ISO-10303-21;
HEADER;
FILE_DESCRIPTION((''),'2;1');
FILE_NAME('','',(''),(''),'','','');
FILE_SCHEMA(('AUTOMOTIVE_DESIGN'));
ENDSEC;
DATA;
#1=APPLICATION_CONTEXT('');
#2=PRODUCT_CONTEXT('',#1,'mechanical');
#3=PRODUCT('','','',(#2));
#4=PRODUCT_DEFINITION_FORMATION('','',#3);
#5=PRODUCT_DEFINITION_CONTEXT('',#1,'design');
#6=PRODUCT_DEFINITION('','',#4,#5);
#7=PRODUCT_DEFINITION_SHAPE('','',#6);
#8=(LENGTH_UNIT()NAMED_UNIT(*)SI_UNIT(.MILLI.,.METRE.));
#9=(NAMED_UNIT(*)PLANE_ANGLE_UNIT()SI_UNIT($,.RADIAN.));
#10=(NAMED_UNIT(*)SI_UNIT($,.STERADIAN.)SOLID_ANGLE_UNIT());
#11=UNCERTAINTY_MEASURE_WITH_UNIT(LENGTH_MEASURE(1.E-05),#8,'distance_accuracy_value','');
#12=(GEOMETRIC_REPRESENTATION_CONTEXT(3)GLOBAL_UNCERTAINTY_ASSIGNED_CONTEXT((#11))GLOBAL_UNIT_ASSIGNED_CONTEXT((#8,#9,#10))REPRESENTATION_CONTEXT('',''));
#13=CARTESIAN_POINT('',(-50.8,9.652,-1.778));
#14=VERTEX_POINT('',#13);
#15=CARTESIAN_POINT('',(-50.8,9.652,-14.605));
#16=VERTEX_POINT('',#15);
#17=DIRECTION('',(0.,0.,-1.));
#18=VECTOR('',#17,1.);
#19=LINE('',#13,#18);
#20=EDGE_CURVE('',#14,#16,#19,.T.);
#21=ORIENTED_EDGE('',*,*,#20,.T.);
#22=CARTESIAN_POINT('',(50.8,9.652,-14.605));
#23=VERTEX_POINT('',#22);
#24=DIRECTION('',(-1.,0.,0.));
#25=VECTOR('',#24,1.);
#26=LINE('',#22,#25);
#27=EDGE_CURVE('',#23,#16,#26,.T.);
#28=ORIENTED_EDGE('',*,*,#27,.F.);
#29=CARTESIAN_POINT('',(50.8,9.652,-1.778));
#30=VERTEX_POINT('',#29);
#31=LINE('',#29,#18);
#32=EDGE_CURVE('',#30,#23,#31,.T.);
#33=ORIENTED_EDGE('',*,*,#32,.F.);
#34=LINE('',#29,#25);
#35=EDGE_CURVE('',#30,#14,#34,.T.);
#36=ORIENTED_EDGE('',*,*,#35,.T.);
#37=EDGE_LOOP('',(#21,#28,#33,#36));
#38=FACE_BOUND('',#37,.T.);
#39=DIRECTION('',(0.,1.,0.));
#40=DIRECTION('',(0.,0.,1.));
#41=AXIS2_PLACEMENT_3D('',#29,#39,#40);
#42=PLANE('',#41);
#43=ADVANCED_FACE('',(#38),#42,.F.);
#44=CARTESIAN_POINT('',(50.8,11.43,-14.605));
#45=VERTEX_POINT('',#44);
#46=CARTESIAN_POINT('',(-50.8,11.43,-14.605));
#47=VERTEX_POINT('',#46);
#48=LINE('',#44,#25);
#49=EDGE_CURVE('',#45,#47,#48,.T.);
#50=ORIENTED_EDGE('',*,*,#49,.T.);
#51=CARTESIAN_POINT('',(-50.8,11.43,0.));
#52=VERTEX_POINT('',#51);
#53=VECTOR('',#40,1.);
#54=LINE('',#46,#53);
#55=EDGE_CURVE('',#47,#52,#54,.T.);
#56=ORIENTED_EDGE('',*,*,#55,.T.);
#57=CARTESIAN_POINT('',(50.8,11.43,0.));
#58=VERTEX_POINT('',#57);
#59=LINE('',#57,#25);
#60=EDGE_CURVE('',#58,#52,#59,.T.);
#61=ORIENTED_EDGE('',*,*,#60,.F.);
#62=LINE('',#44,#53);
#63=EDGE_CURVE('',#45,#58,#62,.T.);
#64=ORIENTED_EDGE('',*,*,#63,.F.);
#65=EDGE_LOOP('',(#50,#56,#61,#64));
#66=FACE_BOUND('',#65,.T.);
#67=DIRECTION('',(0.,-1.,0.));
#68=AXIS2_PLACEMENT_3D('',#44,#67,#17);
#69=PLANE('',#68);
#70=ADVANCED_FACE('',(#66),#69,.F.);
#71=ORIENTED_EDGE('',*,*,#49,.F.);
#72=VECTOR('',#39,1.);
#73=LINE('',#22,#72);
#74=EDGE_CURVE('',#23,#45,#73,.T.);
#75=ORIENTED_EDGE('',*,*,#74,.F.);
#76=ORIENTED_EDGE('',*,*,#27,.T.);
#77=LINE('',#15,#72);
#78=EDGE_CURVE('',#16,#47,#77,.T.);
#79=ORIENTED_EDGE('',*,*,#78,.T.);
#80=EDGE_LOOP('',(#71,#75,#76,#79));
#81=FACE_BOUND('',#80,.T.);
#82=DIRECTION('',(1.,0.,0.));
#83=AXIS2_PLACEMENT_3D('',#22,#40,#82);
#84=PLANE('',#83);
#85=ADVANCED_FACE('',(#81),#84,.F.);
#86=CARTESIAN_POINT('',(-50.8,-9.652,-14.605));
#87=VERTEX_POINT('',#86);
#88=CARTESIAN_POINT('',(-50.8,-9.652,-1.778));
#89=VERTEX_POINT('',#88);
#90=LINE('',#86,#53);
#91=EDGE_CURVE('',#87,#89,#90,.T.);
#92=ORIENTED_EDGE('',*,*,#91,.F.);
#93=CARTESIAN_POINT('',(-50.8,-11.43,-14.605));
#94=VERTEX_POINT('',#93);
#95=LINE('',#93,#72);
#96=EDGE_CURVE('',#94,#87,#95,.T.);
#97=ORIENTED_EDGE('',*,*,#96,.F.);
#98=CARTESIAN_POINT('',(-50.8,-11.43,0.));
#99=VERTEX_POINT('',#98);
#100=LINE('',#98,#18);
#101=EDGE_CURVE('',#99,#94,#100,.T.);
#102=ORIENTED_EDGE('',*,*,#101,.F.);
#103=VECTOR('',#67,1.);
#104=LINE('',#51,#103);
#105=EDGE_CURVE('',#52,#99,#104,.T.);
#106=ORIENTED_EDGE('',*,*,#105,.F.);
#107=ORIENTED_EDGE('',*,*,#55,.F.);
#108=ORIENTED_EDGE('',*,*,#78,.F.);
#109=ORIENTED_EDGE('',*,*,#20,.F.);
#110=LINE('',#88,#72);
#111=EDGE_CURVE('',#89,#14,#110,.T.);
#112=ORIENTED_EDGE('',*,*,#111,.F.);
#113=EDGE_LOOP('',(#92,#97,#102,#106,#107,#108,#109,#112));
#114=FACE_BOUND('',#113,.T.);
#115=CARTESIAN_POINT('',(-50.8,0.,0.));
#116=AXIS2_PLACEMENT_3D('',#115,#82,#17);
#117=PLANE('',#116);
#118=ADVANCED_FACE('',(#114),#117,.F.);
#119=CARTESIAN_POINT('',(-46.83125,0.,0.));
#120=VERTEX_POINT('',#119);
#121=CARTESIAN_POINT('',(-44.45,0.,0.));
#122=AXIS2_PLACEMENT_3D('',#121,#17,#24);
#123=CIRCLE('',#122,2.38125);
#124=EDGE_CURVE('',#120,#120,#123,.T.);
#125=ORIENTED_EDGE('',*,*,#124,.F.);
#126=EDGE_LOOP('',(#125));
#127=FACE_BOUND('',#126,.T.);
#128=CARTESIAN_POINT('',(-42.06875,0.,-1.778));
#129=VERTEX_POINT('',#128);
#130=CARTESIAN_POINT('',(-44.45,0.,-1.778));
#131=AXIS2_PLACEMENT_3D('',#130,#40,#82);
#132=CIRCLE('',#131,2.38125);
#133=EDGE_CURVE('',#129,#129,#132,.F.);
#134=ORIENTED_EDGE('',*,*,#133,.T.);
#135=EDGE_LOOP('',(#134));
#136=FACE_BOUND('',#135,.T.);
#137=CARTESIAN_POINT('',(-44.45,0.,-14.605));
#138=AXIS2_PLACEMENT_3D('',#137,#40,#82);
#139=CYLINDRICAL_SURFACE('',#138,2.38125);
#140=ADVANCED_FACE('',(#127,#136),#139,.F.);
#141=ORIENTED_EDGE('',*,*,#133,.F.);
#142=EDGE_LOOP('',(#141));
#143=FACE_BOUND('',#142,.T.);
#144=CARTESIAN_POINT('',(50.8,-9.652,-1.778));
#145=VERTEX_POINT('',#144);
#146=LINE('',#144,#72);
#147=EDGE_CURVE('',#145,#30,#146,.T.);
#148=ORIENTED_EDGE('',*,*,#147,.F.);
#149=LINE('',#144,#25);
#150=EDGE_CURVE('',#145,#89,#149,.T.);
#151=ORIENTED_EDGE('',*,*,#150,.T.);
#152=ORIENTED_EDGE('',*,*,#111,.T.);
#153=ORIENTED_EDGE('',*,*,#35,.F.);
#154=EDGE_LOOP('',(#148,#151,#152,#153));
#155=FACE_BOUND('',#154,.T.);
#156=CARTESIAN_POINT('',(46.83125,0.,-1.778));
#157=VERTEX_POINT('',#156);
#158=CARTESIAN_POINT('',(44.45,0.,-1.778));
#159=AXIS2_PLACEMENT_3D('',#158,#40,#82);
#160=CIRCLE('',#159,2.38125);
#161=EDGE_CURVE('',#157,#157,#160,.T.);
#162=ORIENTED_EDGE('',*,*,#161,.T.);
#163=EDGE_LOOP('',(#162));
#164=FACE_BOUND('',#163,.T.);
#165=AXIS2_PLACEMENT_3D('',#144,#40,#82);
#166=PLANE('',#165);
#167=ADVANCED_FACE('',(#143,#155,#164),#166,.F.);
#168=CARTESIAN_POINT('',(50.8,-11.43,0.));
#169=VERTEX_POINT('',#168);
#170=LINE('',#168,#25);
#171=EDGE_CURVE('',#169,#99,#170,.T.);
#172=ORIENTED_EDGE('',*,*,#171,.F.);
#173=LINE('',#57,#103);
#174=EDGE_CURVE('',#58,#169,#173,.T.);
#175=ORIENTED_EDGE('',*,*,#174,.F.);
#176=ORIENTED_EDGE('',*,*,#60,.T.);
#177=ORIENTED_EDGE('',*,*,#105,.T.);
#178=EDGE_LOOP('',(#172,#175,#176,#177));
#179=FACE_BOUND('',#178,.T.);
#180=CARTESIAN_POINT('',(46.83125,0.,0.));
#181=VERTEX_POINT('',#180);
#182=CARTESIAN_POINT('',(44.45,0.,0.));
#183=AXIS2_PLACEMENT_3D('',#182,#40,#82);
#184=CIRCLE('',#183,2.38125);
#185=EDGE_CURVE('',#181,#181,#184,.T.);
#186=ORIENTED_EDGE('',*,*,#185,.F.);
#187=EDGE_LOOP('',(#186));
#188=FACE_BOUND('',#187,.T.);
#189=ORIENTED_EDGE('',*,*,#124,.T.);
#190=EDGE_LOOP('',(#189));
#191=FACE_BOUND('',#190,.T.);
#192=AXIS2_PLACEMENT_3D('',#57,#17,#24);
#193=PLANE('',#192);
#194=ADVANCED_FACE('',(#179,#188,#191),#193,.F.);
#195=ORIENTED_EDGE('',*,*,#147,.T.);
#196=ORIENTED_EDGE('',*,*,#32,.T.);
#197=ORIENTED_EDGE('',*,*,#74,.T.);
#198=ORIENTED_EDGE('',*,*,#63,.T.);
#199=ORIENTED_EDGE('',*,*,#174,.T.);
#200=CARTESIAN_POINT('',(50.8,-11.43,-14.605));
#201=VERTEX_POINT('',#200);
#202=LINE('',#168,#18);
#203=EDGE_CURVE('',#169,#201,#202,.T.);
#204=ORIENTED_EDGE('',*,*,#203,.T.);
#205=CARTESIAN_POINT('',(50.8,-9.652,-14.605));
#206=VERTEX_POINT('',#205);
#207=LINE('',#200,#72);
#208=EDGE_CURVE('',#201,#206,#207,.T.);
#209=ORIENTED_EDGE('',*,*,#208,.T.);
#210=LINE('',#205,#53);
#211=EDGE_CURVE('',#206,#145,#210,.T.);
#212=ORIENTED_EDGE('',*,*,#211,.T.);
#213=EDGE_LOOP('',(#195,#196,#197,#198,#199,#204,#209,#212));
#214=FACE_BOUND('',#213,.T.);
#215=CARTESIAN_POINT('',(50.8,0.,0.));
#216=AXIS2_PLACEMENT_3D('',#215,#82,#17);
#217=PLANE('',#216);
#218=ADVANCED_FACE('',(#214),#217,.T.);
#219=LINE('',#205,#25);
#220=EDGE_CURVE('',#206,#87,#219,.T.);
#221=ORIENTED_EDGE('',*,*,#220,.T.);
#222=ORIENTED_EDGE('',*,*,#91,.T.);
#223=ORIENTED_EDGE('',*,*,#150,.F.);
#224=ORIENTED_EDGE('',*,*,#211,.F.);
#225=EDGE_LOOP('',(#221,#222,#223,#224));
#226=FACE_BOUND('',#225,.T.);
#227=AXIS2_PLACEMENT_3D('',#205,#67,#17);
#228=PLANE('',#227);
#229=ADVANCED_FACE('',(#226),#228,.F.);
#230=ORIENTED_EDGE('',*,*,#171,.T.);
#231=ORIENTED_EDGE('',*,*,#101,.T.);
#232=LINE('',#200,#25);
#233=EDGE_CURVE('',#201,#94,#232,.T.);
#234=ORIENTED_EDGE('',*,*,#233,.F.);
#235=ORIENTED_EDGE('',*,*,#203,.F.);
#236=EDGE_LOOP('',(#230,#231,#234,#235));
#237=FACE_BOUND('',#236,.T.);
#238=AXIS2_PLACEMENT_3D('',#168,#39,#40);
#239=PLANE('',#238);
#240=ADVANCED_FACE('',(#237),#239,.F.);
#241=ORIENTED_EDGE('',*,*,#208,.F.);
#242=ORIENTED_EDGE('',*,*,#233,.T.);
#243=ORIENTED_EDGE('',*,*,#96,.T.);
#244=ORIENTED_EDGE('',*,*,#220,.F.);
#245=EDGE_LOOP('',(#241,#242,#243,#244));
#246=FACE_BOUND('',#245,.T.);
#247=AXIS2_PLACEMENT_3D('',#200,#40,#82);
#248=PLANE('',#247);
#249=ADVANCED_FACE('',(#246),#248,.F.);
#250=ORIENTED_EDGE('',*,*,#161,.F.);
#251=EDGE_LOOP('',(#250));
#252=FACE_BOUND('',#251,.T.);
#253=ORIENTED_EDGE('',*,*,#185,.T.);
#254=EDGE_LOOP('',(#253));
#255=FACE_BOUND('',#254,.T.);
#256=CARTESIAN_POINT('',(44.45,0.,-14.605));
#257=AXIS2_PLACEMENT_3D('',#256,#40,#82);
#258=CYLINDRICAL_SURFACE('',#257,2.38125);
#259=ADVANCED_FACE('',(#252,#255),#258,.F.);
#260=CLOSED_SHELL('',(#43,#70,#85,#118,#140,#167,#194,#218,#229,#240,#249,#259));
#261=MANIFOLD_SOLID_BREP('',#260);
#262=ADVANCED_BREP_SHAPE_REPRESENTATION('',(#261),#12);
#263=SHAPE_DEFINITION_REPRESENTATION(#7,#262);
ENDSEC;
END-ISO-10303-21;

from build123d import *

# Parameters (mm, degrees)
BOSS_EXTRUDE1_DEPTH = 50.8
SKETCH3_R           = 2.38125
CUT_EXTRUDE1_DEPTH  = 15.605


with BuildPart() as part:
    # Sketch1 → Boss-Extrude1 (new body, symmetric)
    with BuildSketch(Plane(origin=(0, 0, 0), x_dir=(0, 0, -1), z_dir=(1, 0, 0))):
        Polygon((0, 11.43), (0, -11.43), (14.605, -11.43), (14.605, -9.652), (1.778, -9.652), (1.778, 9.652), (14.605, 9.652), (14.605, 11.43), align=None)
    extrude(amount=BOSS_EXTRUDE1_DEPTH, both=True)

    # Sketch3 → Cut-Extrude1 (cut, through all)
    with BuildSketch(Plane.XY):
        with Locations((44.45, 0)):
            Circle(SKETCH3_R)
    cut_extrude1 = extrude(amount=-CUT_EXTRUDE1_DEPTH, mode=Mode.SUBTRACT)

    # Mirror1: Cut-Extrude1 across plane
    add(cut_extrude1.mirror(Plane(origin=(0, 0, 0), x_dir=(0, 0, 1), z_dir=(1, 0, 0))), mode=Mode.SUBTRACT)


solid = part.part
